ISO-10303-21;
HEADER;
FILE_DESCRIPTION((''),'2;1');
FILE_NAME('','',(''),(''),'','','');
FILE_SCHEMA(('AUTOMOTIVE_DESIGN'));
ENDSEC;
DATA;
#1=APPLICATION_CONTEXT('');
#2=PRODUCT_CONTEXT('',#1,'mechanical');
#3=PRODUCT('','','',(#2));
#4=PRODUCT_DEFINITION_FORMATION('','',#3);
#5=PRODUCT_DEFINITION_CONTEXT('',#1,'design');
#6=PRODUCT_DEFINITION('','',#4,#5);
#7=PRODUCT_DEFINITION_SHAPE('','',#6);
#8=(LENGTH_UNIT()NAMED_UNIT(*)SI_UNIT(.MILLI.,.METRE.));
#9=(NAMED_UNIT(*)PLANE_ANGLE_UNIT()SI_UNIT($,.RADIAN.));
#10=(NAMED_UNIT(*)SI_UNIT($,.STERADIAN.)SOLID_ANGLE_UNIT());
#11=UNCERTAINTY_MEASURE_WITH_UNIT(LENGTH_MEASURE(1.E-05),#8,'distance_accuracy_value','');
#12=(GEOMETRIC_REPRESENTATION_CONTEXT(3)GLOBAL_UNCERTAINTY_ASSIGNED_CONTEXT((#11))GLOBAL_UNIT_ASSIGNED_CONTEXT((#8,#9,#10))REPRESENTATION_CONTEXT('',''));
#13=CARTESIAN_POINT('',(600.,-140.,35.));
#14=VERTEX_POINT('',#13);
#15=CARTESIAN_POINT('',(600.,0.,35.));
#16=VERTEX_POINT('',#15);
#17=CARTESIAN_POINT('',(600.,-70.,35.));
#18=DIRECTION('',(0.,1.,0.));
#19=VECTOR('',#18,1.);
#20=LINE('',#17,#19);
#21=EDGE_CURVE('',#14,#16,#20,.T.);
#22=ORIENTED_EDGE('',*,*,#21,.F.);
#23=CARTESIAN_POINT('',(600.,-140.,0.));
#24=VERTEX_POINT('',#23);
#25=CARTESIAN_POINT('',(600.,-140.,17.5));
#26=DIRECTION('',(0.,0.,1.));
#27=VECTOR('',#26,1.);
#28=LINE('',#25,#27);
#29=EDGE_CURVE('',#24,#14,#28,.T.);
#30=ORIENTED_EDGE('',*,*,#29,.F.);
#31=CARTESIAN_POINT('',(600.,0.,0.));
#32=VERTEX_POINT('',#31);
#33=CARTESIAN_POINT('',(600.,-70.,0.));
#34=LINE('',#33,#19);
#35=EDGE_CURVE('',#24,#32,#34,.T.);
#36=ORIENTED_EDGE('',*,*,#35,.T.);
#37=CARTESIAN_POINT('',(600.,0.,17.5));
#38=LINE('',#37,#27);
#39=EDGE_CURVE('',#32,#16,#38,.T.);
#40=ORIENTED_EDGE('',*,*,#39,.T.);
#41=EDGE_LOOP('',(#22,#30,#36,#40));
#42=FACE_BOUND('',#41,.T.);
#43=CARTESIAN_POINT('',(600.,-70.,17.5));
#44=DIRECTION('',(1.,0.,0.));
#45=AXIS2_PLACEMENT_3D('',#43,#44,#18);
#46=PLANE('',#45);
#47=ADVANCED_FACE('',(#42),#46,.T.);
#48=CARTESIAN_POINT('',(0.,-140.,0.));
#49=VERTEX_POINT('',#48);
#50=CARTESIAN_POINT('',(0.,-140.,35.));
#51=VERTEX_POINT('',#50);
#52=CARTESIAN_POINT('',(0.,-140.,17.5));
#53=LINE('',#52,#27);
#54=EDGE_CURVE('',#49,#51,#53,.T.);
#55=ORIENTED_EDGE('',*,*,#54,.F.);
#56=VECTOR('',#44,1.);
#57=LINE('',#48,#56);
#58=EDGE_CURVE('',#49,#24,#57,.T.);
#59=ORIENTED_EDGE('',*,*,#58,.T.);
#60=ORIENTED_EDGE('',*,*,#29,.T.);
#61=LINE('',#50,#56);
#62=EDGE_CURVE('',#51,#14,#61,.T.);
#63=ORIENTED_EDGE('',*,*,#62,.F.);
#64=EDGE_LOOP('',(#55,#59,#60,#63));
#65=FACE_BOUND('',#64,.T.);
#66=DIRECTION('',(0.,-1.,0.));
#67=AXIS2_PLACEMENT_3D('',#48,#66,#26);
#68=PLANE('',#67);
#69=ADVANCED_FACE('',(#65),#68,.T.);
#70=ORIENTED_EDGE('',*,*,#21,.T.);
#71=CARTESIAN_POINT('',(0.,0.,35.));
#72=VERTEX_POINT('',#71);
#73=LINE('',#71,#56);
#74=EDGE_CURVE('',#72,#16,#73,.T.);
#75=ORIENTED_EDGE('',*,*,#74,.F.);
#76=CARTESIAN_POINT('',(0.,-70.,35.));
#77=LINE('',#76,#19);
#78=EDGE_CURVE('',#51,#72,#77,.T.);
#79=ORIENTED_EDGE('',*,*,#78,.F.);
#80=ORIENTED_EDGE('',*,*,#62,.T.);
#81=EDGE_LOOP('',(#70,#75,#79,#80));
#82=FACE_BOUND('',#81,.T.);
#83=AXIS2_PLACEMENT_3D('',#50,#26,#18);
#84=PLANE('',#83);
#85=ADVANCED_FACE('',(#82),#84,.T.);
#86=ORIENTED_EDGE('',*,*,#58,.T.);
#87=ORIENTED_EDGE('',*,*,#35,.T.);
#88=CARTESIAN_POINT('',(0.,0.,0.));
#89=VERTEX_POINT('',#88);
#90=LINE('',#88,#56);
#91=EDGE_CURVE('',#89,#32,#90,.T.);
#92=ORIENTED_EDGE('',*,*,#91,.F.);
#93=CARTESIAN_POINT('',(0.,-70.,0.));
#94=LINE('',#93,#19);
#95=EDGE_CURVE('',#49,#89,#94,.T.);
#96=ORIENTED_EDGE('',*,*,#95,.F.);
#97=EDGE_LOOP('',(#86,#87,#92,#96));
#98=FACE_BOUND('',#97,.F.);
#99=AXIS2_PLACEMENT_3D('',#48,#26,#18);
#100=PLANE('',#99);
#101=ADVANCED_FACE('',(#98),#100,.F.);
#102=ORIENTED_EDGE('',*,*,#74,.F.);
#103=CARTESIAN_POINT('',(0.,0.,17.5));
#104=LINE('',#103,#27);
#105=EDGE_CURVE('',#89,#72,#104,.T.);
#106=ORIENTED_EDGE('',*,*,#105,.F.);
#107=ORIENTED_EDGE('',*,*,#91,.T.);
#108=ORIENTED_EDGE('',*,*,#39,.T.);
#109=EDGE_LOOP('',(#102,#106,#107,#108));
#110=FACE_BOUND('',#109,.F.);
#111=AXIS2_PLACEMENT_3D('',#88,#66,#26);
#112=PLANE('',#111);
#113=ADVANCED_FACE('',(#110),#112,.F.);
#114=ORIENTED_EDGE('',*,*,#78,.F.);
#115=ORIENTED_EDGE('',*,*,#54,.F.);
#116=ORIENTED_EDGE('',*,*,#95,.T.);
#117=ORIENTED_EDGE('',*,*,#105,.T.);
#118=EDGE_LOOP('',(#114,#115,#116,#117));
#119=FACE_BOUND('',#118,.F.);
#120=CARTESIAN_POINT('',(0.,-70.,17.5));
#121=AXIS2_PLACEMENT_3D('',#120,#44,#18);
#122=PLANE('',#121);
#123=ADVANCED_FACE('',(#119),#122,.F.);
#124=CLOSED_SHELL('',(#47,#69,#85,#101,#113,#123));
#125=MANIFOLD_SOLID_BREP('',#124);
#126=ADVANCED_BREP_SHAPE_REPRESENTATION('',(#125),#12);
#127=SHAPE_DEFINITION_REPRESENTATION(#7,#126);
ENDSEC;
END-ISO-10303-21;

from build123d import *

# Parameters (mm, degrees)
SKETCH_W  = 140
SKETCH_H  = 35
PAD_DEPTH = 600


with BuildPart() as part:
    # Sketch → Pad (new body)
    with BuildSketch(Plane.YZ):
        with Locations((-70, 17.5)):
            Rectangle(SKETCH_W, SKETCH_H)
    extrude(amount=PAD_DEPTH)


solid = part.part
